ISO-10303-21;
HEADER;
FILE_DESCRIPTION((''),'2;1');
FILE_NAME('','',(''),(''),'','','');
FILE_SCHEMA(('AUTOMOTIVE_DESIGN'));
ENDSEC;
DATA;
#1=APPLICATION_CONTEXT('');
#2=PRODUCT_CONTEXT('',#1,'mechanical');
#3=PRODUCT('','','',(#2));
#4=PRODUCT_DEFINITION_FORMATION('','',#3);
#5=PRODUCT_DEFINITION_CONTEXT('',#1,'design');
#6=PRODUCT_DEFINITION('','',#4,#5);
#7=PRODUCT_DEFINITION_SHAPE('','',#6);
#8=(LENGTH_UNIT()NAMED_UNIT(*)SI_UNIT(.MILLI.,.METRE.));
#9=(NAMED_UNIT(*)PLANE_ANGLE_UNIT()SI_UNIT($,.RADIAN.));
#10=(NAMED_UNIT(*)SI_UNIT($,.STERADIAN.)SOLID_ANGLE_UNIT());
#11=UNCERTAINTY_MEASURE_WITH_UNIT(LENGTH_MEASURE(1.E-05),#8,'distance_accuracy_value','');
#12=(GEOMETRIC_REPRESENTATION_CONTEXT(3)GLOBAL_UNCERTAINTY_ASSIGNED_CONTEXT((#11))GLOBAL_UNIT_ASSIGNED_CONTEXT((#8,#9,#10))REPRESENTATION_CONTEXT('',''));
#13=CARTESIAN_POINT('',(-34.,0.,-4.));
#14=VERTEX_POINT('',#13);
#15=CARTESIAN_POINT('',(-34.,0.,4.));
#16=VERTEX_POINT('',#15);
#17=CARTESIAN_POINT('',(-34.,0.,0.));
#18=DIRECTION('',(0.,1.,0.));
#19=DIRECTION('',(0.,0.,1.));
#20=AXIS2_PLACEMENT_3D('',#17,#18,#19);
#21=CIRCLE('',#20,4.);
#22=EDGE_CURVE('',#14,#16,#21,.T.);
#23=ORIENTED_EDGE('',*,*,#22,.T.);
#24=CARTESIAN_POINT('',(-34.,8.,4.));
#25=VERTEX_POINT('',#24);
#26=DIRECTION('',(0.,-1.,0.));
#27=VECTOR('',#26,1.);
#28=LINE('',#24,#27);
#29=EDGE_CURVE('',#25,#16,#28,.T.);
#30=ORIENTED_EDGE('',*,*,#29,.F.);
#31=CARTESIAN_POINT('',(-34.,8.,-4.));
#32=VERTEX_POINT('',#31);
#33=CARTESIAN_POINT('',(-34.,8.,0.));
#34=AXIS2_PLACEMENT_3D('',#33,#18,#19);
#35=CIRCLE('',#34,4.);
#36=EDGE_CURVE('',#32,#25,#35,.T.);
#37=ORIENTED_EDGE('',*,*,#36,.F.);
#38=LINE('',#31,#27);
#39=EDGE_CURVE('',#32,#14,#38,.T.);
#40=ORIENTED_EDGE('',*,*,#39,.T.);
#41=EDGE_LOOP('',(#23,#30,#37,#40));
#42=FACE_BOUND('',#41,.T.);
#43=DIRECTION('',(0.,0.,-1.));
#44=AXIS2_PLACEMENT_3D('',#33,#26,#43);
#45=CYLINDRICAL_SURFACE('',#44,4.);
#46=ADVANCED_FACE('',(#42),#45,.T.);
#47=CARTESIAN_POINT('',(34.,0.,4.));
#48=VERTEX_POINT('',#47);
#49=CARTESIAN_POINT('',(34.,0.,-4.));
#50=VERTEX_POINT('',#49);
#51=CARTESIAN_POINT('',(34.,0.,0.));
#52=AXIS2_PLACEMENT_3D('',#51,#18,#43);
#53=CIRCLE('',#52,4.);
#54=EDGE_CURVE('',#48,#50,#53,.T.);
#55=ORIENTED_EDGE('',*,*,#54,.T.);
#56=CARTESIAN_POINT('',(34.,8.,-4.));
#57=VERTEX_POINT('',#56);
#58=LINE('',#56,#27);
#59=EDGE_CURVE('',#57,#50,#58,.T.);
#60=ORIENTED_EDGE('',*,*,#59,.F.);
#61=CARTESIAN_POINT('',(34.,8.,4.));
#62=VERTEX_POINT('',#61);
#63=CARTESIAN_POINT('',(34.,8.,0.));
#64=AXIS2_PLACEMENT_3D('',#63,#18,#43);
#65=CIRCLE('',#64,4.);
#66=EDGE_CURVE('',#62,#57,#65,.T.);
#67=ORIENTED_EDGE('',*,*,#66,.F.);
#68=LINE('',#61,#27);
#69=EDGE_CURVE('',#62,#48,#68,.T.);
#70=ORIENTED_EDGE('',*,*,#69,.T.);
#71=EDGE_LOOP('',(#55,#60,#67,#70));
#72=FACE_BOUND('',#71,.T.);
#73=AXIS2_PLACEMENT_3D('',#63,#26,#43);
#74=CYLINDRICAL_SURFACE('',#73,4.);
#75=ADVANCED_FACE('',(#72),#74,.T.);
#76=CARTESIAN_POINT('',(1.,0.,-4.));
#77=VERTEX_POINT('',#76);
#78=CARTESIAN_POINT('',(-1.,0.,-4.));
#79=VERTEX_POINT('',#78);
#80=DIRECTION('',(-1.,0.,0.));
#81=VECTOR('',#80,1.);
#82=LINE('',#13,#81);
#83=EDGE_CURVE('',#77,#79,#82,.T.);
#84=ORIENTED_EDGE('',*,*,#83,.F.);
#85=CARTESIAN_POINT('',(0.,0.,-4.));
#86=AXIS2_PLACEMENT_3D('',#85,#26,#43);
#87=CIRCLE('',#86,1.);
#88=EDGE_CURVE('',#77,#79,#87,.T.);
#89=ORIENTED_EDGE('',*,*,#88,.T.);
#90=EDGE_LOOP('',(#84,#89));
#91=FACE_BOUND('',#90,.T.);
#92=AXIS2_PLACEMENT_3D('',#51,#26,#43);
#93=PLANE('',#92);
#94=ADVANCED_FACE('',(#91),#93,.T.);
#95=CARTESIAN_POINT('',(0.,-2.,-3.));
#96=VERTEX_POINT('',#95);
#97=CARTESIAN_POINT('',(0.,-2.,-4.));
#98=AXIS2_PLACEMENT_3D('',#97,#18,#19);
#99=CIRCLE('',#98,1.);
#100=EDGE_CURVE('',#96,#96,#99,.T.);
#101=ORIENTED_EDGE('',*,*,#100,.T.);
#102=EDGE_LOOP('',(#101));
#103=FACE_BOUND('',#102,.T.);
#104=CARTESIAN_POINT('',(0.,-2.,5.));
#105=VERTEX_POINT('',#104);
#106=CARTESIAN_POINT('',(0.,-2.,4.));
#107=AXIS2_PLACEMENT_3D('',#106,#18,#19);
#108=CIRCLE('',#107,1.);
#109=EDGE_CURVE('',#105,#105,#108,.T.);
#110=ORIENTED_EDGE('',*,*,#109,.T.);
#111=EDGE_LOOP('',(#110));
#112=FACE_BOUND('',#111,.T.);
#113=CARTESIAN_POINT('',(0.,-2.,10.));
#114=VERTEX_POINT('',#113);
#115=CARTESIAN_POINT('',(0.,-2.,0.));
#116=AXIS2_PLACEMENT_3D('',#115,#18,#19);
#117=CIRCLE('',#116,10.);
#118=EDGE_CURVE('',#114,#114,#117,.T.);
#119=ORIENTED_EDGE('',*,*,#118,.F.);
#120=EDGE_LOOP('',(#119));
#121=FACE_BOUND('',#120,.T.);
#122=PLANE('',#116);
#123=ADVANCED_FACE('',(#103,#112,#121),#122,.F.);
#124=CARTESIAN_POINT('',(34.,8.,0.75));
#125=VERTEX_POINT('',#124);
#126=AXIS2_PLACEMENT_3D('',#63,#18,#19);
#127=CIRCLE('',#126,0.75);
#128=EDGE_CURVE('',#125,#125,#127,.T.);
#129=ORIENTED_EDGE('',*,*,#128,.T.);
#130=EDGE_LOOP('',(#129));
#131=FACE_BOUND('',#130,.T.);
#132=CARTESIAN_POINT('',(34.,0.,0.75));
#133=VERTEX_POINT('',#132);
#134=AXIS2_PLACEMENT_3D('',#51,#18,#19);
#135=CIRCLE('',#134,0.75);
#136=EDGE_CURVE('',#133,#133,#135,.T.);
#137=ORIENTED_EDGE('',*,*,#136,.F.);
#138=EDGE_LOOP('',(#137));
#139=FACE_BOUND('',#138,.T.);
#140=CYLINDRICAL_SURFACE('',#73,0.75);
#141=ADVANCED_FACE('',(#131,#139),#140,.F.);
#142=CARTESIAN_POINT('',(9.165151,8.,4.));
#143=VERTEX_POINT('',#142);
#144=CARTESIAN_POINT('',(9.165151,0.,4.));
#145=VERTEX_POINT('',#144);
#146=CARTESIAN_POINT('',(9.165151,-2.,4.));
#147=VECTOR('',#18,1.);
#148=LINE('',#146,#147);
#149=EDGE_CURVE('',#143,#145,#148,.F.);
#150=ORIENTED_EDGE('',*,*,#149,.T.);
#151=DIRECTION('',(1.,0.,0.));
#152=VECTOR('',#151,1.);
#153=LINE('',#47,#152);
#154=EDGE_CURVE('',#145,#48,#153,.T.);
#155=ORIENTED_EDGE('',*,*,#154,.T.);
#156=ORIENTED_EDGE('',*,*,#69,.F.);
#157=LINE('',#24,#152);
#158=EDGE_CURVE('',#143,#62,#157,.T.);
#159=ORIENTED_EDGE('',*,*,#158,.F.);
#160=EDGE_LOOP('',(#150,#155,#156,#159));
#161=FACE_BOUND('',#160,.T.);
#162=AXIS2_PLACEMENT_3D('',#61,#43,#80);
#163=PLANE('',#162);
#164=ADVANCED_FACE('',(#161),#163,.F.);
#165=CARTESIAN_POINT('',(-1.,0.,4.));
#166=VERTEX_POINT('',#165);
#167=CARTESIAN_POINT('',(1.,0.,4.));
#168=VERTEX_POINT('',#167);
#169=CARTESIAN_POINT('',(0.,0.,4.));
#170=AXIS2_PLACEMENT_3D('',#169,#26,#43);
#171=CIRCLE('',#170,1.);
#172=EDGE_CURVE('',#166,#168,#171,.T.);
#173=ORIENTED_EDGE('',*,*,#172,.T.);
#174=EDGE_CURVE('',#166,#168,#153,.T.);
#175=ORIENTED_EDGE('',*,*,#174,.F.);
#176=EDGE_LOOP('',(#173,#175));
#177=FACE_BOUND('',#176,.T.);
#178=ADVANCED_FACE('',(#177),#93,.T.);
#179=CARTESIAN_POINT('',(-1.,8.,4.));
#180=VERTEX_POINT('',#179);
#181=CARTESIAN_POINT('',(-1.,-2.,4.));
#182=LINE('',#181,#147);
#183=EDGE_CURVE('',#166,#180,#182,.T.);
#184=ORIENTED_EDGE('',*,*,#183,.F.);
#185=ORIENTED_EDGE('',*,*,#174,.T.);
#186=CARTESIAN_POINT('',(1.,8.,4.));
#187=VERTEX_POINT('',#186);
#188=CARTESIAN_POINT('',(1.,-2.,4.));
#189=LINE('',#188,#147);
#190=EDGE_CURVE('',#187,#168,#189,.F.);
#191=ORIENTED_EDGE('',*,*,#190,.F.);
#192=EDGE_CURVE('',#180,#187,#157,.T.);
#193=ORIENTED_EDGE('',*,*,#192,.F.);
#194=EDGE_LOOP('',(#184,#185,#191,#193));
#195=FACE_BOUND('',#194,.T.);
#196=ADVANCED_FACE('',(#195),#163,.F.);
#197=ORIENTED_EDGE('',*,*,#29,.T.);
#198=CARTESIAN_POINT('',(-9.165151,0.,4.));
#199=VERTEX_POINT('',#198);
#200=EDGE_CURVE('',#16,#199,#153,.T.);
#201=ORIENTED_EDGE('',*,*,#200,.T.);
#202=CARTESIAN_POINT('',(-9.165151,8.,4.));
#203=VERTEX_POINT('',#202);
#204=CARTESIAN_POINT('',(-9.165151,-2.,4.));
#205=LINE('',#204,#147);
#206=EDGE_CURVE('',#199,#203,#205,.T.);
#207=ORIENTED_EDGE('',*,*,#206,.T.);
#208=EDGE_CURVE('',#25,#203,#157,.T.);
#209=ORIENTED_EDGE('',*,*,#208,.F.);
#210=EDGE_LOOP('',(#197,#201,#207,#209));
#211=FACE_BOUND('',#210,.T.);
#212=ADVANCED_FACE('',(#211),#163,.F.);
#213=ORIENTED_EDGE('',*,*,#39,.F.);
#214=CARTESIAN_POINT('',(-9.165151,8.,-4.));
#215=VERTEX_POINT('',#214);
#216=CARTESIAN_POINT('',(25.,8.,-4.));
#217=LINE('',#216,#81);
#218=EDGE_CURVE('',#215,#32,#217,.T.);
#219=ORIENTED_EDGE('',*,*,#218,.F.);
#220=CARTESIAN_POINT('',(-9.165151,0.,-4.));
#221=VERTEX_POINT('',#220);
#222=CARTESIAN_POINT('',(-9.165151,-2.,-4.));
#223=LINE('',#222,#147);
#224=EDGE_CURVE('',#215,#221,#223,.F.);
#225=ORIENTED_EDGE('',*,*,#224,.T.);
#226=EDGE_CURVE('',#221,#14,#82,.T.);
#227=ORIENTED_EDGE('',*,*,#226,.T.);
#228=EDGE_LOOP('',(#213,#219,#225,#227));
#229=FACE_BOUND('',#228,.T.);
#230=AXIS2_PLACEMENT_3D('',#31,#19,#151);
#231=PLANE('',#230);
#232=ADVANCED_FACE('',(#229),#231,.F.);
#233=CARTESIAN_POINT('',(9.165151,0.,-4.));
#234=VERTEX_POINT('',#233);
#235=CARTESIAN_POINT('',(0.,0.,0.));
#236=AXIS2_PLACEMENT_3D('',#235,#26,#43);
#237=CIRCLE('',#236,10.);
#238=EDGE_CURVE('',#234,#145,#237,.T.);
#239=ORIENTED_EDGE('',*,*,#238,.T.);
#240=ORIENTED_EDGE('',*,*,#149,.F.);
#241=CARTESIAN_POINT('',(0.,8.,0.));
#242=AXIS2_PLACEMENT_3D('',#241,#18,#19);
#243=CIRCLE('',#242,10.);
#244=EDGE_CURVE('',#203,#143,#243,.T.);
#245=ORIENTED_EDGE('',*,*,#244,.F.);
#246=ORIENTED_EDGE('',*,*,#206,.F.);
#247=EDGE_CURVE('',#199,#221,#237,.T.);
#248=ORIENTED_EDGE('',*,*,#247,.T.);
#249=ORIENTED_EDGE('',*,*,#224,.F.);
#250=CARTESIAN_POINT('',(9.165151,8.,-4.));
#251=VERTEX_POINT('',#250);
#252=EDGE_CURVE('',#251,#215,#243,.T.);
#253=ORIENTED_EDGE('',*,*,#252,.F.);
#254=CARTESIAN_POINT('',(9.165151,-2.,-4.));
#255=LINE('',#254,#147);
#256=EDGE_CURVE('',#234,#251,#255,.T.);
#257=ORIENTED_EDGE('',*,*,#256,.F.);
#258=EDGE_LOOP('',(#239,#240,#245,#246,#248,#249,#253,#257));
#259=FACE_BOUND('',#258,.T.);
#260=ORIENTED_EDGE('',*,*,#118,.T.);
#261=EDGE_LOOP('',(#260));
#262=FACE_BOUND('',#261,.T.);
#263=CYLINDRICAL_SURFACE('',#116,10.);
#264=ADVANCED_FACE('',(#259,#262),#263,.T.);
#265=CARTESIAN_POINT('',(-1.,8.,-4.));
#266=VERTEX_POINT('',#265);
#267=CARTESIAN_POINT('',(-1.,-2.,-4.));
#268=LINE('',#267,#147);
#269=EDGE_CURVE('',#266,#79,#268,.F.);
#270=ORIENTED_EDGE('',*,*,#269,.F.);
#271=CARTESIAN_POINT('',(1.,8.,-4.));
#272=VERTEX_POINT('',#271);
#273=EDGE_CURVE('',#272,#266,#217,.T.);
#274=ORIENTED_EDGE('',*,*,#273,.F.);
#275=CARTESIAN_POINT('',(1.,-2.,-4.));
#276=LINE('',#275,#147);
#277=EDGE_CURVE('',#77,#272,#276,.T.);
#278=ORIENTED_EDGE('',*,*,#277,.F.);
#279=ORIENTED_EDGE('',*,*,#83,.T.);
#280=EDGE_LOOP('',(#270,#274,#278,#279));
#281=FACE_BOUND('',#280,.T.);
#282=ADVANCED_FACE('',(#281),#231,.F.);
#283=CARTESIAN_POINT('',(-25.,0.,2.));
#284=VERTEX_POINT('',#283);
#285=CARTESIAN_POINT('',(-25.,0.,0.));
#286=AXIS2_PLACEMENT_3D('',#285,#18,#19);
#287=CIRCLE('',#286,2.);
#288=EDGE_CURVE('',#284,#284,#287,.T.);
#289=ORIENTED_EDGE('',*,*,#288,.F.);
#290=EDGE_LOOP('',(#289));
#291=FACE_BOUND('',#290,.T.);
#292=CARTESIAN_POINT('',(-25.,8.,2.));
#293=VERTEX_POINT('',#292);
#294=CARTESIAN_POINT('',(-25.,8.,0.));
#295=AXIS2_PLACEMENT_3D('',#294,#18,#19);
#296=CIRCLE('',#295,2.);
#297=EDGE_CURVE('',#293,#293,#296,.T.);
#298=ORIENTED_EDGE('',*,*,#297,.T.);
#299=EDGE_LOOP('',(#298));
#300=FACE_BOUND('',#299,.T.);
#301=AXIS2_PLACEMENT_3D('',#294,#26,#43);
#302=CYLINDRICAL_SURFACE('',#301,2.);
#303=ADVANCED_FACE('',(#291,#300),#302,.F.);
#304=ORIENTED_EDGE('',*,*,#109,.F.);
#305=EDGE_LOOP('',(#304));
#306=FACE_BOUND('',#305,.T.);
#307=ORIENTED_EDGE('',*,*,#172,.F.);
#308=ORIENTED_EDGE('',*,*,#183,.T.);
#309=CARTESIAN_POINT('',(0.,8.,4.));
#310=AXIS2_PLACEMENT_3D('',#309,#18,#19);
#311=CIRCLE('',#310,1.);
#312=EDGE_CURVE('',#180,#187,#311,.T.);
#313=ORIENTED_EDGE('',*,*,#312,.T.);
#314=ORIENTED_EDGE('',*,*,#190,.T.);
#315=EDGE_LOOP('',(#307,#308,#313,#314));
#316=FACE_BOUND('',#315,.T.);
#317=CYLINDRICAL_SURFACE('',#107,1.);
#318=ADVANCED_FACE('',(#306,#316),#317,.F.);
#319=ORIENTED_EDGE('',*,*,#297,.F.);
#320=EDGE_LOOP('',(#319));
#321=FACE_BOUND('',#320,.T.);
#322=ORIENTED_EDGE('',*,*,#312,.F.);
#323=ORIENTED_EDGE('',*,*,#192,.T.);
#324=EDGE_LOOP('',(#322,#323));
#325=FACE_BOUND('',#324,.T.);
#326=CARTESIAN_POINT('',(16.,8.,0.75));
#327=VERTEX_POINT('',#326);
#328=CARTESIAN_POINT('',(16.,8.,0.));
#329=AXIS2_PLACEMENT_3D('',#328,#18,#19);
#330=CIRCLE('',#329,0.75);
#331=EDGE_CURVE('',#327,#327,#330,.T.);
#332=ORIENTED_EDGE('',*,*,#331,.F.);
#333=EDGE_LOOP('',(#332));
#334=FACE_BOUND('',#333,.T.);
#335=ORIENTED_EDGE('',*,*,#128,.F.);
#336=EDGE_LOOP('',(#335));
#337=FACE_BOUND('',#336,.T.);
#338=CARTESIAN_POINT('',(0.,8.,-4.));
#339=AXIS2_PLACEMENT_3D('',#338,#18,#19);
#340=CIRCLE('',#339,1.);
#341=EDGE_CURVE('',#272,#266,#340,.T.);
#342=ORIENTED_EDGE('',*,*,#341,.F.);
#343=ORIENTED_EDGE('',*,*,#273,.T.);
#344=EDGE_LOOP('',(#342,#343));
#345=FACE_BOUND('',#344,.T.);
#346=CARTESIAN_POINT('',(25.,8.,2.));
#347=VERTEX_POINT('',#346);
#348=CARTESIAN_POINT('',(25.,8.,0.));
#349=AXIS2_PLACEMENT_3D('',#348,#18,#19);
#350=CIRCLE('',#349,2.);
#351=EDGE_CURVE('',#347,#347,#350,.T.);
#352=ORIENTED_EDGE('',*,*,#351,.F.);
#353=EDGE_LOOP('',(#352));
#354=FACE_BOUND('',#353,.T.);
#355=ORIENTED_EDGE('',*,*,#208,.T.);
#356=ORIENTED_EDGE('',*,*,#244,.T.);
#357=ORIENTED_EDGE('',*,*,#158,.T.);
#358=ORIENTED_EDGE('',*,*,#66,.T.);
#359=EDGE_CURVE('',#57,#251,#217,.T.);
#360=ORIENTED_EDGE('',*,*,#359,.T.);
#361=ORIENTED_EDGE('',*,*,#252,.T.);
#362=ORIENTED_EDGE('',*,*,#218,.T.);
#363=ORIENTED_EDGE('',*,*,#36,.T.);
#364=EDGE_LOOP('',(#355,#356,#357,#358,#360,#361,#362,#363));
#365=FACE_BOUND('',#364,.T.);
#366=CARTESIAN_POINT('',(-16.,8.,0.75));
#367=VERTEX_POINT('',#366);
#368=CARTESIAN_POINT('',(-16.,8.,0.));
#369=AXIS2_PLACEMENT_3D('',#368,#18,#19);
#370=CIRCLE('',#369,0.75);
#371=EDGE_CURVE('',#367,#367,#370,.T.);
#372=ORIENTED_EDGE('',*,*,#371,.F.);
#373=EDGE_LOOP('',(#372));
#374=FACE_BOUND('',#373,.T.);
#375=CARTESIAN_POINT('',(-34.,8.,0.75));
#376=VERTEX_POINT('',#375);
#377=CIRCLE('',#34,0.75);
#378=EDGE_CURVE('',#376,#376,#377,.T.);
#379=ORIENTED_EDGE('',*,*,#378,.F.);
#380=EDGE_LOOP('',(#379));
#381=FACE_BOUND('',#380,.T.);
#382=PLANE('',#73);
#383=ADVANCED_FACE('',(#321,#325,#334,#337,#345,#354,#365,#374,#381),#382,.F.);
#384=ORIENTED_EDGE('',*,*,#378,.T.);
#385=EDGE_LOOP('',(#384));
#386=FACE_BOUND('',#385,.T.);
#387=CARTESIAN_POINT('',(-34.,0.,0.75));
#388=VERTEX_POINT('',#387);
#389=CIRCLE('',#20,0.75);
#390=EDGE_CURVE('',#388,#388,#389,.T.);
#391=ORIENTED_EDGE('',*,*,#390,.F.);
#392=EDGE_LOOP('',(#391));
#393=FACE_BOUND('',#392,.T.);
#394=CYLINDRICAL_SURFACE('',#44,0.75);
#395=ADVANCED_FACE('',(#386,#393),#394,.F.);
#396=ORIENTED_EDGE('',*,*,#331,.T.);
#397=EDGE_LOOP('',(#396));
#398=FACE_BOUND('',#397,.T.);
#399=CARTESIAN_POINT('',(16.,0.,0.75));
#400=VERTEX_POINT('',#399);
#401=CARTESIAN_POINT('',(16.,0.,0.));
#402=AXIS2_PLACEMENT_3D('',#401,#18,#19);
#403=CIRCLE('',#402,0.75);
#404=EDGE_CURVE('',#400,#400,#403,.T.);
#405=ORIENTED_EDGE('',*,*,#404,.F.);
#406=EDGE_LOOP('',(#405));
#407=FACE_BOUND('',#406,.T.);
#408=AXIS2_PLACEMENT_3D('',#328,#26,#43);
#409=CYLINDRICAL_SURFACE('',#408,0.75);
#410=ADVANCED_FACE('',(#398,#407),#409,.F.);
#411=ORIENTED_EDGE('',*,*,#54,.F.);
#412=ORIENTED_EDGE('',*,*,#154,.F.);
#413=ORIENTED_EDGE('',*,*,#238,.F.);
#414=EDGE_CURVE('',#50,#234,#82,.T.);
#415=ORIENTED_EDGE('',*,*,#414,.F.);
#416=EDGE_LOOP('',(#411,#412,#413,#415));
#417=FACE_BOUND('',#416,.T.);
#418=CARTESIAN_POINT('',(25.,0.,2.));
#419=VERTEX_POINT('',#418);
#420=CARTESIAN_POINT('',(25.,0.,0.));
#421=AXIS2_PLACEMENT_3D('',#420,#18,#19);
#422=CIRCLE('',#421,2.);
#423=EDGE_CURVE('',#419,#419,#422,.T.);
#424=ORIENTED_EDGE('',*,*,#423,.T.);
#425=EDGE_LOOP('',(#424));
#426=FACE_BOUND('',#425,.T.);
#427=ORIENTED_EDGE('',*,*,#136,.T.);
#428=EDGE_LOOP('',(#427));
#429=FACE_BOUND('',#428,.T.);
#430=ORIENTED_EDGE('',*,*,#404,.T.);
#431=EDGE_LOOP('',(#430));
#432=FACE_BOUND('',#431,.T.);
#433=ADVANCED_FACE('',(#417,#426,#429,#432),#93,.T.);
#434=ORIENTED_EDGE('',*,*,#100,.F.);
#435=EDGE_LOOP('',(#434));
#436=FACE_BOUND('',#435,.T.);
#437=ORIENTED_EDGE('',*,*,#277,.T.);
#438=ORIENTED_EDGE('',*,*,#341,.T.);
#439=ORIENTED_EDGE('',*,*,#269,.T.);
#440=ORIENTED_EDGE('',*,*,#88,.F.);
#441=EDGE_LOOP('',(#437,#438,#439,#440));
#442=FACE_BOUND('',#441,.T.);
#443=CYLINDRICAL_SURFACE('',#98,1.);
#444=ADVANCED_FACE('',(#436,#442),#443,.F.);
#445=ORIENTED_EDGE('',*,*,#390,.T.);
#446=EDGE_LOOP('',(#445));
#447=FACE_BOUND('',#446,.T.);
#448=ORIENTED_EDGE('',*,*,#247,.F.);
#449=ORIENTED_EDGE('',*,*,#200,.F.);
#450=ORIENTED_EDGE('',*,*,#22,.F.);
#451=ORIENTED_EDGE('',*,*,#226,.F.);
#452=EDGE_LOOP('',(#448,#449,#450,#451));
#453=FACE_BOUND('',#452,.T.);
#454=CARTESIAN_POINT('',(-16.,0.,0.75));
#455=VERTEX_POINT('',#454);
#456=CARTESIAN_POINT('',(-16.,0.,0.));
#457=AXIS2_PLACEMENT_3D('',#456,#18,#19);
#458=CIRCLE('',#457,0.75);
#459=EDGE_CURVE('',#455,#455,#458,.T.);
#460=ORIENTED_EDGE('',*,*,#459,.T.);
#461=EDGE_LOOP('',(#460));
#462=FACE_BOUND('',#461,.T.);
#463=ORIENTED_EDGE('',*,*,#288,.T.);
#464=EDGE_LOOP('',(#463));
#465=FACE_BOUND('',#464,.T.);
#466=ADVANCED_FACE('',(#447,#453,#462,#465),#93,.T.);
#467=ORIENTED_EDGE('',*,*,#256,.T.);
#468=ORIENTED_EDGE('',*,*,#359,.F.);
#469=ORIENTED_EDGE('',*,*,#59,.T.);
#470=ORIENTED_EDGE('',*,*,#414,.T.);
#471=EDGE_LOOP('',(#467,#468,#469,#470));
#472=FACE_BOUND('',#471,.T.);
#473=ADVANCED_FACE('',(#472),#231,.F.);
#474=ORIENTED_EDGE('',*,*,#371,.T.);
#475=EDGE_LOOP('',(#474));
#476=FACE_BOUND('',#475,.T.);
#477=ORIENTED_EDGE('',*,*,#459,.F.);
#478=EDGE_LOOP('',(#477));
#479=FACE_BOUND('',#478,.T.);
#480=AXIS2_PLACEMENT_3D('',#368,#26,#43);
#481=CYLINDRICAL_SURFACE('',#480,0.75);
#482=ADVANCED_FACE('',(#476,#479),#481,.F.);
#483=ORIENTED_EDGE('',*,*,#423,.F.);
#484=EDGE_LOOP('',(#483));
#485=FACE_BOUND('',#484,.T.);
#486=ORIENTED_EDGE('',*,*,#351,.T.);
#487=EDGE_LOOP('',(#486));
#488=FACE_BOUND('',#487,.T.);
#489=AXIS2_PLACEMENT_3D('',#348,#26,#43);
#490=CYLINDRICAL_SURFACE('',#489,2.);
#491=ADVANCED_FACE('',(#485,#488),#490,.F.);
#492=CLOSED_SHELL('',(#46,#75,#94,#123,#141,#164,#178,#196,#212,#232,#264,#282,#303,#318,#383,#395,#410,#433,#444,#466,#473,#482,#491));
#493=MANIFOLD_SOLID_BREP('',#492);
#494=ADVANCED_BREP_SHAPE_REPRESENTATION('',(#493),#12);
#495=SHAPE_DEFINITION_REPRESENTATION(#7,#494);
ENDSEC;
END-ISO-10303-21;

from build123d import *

# Parameters (mm, degrees)
SKETCH_1_R      = 0.75
SKETCH_1_R_2    = 2
EXTRUDE_1_DEPTH = 8
SKETCH_2_R      = 10
SKETCH_2_R_2    = 1
EXTRUDE_2_DEPTH = 10


with BuildPart() as part:
    # 草圖1 → 填料-伸長1 (new body)
    with BuildSketch(Plane(origin=(0, 0, 0), x_dir=(1, 0, 0), z_dir=(0, 1, 0))):
        with BuildLine():
            Line((-0.414012206, -4), (25, -4))
            Line((25, -4), (34, -4))
            ThreePointArc((34, -4), (38, 0), (34, 4))
            Line((34, 4), (25, 4))
            Line((25, 4), (-0.414012206, 4))
            Line((-0.414012206, 4), (-34, 4))
            ThreePointArc((-34, 4), (-38, 0), (-34, -4))
            Line((-34, -4), (-0.414012206, -4))
        make_face()
        with Locations(Location((34, 0, 0), (0, 0, 270))):
            Circle(SKETCH_1_R, mode=Mode.SUBTRACT)
        with Locations(Location((-34, 0, 0), (0, 0, 270))):
            Circle(SKETCH_1_R, mode=Mode.SUBTRACT)
        with Locations(Location((-25, 0, 0), (0, 0, 270))):
            Circle(SKETCH_1_R_2, mode=Mode.SUBTRACT)
        with Locations(Location((25, 0, 0), (0, 0, 270))):
            Circle(SKETCH_1_R_2, mode=Mode.SUBTRACT)
        with Locations(Location((-16, 0, 0), (0, 0, 270))):
            Circle(SKETCH_1_R, mode=Mode.SUBTRACT)
        with Locations(Location((16, 0, 0), (0, 0, 270))):
            Circle(SKETCH_1_R, mode=Mode.SUBTRACT)
    extrude(amount=EXTRUDE_1_DEPTH)

    # 草圖2 → 填料-伸長2 (add)
    with BuildSketch(Plane(origin=(0, 8, 0), x_dir=(-1, 0, 0), z_dir=(0, 1, 0))):
        with Locations(Location((0, 0, 0), (0, 0, 90))):
            Circle(SKETCH_2_R)
        with Locations(Location((0, -4, 0), (0, 0, 90))):
            Circle(SKETCH_2_R_2, mode=Mode.SUBTRACT)
        with Locations(Location((0, 4, 0), (0, 0, 90))):
            Circle(SKETCH_2_R_2, mode=Mode.SUBTRACT)
    extrude(amount=-EXTRUDE_2_DEPTH)


solid = part.part
